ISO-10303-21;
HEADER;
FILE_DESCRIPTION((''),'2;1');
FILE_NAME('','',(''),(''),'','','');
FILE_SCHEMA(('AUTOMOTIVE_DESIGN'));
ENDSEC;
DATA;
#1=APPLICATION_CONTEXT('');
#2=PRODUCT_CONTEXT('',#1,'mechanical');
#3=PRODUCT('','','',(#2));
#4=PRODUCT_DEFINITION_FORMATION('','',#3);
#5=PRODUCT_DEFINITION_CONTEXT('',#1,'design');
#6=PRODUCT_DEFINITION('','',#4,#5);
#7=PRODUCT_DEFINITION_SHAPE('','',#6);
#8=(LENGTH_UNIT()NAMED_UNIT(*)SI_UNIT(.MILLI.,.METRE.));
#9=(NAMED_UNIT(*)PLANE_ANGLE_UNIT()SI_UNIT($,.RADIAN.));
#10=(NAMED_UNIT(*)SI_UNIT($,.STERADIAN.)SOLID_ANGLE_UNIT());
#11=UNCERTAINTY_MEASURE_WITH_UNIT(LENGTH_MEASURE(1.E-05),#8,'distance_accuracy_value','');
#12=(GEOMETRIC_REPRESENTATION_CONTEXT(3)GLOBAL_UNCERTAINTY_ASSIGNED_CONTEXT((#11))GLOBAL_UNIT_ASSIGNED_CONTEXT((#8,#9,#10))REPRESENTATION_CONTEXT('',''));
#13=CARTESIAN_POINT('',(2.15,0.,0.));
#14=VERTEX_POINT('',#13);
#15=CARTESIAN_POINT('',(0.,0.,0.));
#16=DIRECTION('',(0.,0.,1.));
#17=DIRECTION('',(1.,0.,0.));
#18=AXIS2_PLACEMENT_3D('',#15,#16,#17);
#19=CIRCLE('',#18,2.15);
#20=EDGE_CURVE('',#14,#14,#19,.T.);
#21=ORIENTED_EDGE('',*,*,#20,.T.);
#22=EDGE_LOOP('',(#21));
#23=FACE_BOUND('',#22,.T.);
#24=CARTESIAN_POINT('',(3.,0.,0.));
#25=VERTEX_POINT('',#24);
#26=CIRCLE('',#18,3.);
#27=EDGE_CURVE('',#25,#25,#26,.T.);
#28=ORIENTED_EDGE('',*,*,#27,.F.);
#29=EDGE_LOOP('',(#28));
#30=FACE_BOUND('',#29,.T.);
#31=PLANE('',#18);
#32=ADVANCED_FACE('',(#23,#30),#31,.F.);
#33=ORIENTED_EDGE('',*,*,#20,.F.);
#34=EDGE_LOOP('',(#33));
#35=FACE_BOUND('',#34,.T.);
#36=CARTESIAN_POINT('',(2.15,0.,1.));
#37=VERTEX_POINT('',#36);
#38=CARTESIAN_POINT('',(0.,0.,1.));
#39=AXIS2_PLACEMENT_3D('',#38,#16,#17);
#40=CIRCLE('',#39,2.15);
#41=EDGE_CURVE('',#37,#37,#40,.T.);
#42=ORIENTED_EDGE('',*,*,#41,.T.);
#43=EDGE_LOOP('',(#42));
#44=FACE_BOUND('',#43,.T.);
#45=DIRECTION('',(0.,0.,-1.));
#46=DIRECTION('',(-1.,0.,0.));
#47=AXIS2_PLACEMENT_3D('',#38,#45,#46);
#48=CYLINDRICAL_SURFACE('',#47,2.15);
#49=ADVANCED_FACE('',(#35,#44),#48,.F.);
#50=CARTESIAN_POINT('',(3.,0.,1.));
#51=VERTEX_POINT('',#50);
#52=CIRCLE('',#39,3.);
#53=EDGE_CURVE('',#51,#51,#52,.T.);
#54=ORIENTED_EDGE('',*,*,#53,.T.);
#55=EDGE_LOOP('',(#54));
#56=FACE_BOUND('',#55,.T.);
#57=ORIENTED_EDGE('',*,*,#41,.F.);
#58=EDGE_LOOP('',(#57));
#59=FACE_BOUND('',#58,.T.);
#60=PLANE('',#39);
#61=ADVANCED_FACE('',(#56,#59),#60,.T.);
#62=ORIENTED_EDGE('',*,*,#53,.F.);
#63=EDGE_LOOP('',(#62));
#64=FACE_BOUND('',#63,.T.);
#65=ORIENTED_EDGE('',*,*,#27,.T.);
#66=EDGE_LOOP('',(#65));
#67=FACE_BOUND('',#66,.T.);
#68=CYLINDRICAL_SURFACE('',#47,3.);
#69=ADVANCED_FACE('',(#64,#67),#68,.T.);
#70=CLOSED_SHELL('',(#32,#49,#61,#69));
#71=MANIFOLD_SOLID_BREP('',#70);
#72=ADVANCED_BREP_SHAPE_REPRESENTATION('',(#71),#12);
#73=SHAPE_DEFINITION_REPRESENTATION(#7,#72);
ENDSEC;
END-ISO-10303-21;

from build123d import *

# Parameters (mm, degrees)
SKETCH1_R           = 3
SKETCH1_R_2         = 2.15
BOSS_EXTRUDE1_DEPTH = 1


with BuildPart() as part:
    # Sketch1 → Boss-Extrude1 (new body)
    with BuildSketch(Plane.XY):
        Circle(SKETCH1_R)
        Circle(SKETCH1_R_2, mode=Mode.SUBTRACT)
    extrude(amount=BOSS_EXTRUDE1_DEPTH)


solid = part.part
